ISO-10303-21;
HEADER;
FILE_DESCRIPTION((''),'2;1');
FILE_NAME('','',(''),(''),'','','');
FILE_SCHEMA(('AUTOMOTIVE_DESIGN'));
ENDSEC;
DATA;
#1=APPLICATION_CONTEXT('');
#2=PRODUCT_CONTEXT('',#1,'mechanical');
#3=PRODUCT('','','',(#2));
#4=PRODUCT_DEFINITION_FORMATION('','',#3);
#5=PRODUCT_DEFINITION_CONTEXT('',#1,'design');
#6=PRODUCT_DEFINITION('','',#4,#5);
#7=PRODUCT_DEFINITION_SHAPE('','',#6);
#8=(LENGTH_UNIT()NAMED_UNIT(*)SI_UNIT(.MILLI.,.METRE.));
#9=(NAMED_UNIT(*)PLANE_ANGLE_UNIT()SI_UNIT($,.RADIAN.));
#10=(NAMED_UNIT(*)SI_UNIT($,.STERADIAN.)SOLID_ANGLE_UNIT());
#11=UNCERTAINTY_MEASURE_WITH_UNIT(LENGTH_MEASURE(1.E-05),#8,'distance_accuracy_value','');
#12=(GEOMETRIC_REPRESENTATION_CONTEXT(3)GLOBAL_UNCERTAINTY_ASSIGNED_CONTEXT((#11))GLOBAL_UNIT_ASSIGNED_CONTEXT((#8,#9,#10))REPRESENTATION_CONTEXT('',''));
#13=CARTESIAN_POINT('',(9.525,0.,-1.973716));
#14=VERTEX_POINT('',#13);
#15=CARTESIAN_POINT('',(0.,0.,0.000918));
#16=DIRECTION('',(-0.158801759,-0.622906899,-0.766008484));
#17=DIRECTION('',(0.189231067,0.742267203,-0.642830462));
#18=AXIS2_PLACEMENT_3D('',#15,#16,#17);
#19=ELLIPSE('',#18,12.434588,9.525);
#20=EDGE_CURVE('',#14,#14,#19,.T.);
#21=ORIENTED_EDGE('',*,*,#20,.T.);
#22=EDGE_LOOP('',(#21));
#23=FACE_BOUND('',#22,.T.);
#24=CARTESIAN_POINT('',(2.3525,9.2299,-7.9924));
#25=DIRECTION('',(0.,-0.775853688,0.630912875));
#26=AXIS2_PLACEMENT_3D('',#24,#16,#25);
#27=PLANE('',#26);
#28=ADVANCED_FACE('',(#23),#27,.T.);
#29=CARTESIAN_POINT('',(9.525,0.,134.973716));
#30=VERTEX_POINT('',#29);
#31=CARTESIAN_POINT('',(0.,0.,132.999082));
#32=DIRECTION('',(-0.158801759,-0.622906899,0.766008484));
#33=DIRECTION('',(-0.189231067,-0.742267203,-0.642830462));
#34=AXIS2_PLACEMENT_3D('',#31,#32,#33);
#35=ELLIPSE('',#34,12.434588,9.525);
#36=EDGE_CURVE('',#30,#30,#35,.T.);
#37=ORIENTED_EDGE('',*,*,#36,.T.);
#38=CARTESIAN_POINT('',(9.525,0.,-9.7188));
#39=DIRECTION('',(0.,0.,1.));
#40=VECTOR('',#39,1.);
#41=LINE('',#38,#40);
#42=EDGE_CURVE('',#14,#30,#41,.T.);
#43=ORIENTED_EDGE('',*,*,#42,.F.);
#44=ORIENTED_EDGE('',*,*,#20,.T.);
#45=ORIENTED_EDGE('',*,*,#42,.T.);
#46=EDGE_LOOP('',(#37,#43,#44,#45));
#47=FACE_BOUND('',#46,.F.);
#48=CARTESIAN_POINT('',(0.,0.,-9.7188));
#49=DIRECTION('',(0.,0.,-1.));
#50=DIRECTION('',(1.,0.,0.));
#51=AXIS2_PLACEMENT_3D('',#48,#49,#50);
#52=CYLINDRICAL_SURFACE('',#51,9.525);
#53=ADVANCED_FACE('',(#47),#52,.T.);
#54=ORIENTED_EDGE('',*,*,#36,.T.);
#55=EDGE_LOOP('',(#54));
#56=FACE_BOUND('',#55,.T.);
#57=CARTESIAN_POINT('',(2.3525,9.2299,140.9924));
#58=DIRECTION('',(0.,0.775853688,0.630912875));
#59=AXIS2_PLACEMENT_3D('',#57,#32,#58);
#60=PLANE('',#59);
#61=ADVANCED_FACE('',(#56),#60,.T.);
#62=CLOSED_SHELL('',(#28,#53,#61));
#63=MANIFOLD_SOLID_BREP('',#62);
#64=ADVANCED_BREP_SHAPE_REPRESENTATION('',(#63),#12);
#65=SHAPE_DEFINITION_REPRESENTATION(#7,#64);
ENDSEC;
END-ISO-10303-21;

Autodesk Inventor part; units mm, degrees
ref_plane "Start Plane" through (0, 0, -9.7188) normal (0, 0, 1) x (1, 0, 0)
ref_plane "End Plane" through (0, 0, 142.7188) normal (0, 0, 1) x (1, 0, 0)
sketch "Sketch" plane through (0, 0, 0) normal (0, 0, 1) x (1, 0, 0)
  circle A0 centre (0, 0) radius 9.525
  dimension "d0" = 19.05
extrude "Body" add sketch "Sketch" along normal up to surface (152.4376 mm away) from surface at -9.7188
sketch "Sketch2" plane through (0, 0, 0) normal (0, 0, 1) x (1, 0, 0)
  line L0 (0, 0) -> (10, 0)
ref_plane "Work Plane3" through (0, 0, 0) normal (0, -1, 0) x (1, 0, 0)
ref_plane "Work Plane4" through (2.3525, 9.2299, -7.9924) normal (-0.1588, -0.6229, -0.766) x (0.8923, -0.4227, 0.1588)
split "Split1" plane through (2.3525, 9.2299, -7.9924) removes the side toward (-0.1588, -0.6229, -0.766)
ref_plane "Work Plane5" through (2.3525, 9.2299, 140.9924) normal (-0.1588, -0.6229, 0.766) x (0.9857, -0.056, 0.1588)
split "Split2" plane through (2.3525, 9.2299, 140.9924) removes the side toward (-0.1588, -0.6229, 0.766)
sketch "Sketch3" plane through (0, 0, 0) normal (0, -1, 0) x (1, 0, 0)
  line L0 (-2, -9.7188) -> (12, -9.7188) projected
  line L1 (-2, 142.7188) -> (12, 142.7188) projected
  dimension "d7" = 152.4376
equation "\"d0\" = Diam"
equation "\"d1\" = G_L"
equation "\"Diam\" = 19.05"
equation "\"G_L\" = 148.98485"
equation "\"G_OFFSET_START\" = 9.71882"
equation "\"G_OFFSET_END\" = 9.71882"
equation "\"d4\" = -G_OFFSET_START"
equation "\"d5\" = G_OFFSET_END + B_L"
equation "\"B_L\" = 133"
properties part number "ANSI/AISC Rolled Steel - 3/4-5.866, RB" material "Steel, Mild"
